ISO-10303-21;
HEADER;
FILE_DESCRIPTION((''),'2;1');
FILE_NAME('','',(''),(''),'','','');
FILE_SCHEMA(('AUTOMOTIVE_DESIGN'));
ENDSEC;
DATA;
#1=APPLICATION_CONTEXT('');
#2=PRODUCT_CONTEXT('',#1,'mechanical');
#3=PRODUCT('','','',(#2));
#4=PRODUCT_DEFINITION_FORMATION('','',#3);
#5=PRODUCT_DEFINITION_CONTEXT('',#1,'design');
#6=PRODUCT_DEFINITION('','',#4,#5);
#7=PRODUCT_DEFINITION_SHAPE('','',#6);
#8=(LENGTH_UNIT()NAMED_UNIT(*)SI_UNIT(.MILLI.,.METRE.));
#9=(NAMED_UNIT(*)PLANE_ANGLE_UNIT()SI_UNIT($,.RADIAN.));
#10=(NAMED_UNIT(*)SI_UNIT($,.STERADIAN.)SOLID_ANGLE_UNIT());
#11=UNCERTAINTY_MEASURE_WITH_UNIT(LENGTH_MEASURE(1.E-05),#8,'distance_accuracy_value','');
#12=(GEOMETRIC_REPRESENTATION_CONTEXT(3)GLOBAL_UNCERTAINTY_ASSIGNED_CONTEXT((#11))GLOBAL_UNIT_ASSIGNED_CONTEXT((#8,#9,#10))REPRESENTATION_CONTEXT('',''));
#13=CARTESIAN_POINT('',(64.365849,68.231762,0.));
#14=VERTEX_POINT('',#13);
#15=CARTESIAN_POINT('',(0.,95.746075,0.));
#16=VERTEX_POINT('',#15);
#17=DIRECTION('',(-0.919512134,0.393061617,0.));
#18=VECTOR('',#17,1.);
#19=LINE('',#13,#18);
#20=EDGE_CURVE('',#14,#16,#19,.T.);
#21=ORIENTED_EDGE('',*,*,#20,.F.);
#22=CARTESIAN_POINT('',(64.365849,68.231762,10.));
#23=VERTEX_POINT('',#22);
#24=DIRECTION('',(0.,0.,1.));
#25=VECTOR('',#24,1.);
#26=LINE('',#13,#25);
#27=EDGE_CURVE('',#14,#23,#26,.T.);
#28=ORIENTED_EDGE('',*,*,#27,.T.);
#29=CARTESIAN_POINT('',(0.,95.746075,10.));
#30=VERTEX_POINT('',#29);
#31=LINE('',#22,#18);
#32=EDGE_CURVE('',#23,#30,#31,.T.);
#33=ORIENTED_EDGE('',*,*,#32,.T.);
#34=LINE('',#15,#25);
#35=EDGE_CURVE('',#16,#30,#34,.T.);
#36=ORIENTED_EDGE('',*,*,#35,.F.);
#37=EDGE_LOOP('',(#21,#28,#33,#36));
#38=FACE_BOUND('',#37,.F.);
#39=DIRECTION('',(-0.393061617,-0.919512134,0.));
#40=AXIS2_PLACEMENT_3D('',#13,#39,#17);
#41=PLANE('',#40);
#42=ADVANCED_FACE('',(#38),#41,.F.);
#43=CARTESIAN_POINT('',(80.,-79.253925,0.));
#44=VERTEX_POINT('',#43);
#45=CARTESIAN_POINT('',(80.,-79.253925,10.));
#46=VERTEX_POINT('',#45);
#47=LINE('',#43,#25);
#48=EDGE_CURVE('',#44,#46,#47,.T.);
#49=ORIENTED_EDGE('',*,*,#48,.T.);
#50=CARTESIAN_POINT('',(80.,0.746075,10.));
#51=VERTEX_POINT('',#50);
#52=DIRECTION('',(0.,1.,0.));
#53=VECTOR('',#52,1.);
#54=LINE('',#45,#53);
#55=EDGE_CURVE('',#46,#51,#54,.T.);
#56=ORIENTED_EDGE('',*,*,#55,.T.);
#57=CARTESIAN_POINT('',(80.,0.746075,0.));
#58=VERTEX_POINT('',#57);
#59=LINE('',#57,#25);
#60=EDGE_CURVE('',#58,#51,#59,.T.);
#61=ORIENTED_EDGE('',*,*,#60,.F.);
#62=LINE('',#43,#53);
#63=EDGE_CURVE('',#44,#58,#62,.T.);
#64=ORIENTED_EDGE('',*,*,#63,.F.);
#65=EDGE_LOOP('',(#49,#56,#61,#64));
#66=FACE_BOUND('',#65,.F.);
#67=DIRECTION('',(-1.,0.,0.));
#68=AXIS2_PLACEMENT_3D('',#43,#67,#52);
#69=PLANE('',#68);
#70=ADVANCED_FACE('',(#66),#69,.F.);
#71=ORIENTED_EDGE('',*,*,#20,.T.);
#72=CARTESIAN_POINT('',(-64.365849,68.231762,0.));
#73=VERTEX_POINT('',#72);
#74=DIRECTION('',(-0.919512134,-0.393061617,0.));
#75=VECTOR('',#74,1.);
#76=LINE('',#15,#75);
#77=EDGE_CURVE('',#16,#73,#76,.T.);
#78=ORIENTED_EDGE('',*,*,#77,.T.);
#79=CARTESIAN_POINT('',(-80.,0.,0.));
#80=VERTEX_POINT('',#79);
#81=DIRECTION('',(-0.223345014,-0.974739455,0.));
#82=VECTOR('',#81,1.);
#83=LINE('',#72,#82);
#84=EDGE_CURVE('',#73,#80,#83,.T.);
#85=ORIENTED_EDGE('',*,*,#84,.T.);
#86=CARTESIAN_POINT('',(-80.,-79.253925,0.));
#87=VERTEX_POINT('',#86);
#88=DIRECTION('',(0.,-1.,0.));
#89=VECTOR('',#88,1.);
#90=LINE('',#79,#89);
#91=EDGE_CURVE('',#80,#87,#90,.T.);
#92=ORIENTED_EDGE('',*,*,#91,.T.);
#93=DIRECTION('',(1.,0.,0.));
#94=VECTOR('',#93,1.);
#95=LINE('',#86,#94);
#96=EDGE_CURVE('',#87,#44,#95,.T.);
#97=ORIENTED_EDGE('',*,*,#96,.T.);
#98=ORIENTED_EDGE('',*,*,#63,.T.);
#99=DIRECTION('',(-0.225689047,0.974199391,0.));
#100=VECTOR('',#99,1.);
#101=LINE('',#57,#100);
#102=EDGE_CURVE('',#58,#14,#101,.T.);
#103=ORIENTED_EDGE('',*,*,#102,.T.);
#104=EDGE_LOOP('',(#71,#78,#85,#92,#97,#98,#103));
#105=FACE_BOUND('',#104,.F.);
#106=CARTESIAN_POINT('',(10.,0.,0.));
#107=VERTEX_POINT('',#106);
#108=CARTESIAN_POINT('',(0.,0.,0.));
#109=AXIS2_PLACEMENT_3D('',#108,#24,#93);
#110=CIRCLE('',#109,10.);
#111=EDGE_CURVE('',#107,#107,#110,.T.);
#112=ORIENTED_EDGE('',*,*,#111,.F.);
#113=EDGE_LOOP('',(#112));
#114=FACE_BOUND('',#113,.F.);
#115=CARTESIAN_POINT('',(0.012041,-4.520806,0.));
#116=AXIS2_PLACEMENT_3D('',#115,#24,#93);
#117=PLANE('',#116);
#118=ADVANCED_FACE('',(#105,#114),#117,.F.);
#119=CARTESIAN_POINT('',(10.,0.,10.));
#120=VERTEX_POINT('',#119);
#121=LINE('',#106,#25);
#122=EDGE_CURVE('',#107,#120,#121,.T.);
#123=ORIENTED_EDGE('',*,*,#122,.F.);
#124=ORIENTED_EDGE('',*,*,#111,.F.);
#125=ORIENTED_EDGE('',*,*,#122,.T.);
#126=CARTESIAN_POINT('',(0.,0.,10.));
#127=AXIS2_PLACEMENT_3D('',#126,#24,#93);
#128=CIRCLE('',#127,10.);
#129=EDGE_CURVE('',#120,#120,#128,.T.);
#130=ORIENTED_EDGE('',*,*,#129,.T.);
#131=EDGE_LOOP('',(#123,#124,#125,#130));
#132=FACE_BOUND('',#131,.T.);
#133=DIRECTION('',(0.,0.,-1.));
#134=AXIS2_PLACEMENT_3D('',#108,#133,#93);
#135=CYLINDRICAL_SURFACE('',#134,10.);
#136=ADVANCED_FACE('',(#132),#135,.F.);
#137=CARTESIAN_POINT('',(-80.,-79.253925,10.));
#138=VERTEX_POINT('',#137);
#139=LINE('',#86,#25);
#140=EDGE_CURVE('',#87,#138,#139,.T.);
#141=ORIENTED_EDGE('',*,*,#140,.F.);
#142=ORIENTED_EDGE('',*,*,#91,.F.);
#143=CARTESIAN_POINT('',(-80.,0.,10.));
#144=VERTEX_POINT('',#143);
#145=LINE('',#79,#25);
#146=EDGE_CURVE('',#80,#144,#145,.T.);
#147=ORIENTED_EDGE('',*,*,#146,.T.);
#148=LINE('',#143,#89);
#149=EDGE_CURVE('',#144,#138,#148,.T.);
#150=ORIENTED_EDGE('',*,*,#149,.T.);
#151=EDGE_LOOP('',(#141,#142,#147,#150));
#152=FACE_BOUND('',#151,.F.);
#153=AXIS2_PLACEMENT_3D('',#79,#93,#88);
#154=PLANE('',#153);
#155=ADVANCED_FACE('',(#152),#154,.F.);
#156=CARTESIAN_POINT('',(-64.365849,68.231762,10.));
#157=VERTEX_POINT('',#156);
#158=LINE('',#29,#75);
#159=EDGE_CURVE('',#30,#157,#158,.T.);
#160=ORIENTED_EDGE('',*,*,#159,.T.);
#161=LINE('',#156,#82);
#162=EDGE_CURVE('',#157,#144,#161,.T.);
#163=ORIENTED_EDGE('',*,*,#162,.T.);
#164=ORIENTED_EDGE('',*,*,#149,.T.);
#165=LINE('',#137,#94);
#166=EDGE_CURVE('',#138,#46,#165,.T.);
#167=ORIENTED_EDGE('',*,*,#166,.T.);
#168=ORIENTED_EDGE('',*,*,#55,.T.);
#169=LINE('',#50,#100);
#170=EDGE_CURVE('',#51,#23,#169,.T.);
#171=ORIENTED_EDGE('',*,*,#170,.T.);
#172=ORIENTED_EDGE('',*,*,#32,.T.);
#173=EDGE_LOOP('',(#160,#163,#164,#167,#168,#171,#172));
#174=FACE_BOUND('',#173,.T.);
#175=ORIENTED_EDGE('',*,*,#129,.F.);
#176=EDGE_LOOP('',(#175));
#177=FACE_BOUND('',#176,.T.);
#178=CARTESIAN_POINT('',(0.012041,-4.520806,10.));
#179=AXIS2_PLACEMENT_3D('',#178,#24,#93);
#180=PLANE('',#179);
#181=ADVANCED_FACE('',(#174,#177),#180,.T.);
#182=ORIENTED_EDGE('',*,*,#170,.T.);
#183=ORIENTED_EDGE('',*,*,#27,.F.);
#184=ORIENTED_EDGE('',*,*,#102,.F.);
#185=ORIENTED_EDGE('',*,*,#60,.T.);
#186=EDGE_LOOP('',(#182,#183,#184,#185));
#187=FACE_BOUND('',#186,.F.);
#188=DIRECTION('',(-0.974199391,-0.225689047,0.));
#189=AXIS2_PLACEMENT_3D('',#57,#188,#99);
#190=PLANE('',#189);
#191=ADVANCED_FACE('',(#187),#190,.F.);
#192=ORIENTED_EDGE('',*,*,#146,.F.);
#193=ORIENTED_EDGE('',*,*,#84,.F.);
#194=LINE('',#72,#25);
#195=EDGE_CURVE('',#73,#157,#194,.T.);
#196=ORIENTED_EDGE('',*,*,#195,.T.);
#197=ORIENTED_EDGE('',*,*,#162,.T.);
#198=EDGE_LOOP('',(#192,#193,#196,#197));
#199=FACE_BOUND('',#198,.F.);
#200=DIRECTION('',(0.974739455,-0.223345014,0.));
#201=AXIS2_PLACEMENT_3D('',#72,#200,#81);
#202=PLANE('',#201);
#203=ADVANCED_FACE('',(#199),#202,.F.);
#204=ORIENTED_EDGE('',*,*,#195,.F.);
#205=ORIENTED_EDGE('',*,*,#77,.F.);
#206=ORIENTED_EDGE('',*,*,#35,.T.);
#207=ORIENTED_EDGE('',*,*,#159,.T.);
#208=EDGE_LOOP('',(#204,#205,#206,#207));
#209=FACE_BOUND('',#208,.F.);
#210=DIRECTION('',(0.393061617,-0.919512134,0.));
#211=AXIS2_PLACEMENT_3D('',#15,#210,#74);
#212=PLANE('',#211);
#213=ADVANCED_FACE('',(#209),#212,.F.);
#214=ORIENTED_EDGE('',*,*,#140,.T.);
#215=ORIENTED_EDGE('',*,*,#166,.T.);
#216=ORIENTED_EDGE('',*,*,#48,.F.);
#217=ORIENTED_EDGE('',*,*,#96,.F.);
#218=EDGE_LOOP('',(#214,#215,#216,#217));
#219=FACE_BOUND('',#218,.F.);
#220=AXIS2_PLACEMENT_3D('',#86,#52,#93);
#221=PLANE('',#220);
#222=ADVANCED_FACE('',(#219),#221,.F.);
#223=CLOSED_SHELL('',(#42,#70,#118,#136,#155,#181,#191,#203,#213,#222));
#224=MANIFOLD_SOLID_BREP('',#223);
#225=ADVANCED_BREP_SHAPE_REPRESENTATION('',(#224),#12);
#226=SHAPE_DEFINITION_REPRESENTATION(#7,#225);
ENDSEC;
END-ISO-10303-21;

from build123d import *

# Parameters (mm, degrees)
F0_R     = 10
F1_DEPTH = 10


with BuildPart() as f1:
    # F0 (on Top) → F1 (new body)
    with BuildSketch(Plane.XY):
        Polygon((-80, 0), (-80, -79.253925), (80, -79.253925), (80, 0.746075), (64.365849, 68.231762), (0, 95.746075), (-64.365849, 68.231762), align=None)
        Circle(F0_R, mode=Mode.SUBTRACT)
    extrude(amount=F1_DEPTH)


solid = f1.part
